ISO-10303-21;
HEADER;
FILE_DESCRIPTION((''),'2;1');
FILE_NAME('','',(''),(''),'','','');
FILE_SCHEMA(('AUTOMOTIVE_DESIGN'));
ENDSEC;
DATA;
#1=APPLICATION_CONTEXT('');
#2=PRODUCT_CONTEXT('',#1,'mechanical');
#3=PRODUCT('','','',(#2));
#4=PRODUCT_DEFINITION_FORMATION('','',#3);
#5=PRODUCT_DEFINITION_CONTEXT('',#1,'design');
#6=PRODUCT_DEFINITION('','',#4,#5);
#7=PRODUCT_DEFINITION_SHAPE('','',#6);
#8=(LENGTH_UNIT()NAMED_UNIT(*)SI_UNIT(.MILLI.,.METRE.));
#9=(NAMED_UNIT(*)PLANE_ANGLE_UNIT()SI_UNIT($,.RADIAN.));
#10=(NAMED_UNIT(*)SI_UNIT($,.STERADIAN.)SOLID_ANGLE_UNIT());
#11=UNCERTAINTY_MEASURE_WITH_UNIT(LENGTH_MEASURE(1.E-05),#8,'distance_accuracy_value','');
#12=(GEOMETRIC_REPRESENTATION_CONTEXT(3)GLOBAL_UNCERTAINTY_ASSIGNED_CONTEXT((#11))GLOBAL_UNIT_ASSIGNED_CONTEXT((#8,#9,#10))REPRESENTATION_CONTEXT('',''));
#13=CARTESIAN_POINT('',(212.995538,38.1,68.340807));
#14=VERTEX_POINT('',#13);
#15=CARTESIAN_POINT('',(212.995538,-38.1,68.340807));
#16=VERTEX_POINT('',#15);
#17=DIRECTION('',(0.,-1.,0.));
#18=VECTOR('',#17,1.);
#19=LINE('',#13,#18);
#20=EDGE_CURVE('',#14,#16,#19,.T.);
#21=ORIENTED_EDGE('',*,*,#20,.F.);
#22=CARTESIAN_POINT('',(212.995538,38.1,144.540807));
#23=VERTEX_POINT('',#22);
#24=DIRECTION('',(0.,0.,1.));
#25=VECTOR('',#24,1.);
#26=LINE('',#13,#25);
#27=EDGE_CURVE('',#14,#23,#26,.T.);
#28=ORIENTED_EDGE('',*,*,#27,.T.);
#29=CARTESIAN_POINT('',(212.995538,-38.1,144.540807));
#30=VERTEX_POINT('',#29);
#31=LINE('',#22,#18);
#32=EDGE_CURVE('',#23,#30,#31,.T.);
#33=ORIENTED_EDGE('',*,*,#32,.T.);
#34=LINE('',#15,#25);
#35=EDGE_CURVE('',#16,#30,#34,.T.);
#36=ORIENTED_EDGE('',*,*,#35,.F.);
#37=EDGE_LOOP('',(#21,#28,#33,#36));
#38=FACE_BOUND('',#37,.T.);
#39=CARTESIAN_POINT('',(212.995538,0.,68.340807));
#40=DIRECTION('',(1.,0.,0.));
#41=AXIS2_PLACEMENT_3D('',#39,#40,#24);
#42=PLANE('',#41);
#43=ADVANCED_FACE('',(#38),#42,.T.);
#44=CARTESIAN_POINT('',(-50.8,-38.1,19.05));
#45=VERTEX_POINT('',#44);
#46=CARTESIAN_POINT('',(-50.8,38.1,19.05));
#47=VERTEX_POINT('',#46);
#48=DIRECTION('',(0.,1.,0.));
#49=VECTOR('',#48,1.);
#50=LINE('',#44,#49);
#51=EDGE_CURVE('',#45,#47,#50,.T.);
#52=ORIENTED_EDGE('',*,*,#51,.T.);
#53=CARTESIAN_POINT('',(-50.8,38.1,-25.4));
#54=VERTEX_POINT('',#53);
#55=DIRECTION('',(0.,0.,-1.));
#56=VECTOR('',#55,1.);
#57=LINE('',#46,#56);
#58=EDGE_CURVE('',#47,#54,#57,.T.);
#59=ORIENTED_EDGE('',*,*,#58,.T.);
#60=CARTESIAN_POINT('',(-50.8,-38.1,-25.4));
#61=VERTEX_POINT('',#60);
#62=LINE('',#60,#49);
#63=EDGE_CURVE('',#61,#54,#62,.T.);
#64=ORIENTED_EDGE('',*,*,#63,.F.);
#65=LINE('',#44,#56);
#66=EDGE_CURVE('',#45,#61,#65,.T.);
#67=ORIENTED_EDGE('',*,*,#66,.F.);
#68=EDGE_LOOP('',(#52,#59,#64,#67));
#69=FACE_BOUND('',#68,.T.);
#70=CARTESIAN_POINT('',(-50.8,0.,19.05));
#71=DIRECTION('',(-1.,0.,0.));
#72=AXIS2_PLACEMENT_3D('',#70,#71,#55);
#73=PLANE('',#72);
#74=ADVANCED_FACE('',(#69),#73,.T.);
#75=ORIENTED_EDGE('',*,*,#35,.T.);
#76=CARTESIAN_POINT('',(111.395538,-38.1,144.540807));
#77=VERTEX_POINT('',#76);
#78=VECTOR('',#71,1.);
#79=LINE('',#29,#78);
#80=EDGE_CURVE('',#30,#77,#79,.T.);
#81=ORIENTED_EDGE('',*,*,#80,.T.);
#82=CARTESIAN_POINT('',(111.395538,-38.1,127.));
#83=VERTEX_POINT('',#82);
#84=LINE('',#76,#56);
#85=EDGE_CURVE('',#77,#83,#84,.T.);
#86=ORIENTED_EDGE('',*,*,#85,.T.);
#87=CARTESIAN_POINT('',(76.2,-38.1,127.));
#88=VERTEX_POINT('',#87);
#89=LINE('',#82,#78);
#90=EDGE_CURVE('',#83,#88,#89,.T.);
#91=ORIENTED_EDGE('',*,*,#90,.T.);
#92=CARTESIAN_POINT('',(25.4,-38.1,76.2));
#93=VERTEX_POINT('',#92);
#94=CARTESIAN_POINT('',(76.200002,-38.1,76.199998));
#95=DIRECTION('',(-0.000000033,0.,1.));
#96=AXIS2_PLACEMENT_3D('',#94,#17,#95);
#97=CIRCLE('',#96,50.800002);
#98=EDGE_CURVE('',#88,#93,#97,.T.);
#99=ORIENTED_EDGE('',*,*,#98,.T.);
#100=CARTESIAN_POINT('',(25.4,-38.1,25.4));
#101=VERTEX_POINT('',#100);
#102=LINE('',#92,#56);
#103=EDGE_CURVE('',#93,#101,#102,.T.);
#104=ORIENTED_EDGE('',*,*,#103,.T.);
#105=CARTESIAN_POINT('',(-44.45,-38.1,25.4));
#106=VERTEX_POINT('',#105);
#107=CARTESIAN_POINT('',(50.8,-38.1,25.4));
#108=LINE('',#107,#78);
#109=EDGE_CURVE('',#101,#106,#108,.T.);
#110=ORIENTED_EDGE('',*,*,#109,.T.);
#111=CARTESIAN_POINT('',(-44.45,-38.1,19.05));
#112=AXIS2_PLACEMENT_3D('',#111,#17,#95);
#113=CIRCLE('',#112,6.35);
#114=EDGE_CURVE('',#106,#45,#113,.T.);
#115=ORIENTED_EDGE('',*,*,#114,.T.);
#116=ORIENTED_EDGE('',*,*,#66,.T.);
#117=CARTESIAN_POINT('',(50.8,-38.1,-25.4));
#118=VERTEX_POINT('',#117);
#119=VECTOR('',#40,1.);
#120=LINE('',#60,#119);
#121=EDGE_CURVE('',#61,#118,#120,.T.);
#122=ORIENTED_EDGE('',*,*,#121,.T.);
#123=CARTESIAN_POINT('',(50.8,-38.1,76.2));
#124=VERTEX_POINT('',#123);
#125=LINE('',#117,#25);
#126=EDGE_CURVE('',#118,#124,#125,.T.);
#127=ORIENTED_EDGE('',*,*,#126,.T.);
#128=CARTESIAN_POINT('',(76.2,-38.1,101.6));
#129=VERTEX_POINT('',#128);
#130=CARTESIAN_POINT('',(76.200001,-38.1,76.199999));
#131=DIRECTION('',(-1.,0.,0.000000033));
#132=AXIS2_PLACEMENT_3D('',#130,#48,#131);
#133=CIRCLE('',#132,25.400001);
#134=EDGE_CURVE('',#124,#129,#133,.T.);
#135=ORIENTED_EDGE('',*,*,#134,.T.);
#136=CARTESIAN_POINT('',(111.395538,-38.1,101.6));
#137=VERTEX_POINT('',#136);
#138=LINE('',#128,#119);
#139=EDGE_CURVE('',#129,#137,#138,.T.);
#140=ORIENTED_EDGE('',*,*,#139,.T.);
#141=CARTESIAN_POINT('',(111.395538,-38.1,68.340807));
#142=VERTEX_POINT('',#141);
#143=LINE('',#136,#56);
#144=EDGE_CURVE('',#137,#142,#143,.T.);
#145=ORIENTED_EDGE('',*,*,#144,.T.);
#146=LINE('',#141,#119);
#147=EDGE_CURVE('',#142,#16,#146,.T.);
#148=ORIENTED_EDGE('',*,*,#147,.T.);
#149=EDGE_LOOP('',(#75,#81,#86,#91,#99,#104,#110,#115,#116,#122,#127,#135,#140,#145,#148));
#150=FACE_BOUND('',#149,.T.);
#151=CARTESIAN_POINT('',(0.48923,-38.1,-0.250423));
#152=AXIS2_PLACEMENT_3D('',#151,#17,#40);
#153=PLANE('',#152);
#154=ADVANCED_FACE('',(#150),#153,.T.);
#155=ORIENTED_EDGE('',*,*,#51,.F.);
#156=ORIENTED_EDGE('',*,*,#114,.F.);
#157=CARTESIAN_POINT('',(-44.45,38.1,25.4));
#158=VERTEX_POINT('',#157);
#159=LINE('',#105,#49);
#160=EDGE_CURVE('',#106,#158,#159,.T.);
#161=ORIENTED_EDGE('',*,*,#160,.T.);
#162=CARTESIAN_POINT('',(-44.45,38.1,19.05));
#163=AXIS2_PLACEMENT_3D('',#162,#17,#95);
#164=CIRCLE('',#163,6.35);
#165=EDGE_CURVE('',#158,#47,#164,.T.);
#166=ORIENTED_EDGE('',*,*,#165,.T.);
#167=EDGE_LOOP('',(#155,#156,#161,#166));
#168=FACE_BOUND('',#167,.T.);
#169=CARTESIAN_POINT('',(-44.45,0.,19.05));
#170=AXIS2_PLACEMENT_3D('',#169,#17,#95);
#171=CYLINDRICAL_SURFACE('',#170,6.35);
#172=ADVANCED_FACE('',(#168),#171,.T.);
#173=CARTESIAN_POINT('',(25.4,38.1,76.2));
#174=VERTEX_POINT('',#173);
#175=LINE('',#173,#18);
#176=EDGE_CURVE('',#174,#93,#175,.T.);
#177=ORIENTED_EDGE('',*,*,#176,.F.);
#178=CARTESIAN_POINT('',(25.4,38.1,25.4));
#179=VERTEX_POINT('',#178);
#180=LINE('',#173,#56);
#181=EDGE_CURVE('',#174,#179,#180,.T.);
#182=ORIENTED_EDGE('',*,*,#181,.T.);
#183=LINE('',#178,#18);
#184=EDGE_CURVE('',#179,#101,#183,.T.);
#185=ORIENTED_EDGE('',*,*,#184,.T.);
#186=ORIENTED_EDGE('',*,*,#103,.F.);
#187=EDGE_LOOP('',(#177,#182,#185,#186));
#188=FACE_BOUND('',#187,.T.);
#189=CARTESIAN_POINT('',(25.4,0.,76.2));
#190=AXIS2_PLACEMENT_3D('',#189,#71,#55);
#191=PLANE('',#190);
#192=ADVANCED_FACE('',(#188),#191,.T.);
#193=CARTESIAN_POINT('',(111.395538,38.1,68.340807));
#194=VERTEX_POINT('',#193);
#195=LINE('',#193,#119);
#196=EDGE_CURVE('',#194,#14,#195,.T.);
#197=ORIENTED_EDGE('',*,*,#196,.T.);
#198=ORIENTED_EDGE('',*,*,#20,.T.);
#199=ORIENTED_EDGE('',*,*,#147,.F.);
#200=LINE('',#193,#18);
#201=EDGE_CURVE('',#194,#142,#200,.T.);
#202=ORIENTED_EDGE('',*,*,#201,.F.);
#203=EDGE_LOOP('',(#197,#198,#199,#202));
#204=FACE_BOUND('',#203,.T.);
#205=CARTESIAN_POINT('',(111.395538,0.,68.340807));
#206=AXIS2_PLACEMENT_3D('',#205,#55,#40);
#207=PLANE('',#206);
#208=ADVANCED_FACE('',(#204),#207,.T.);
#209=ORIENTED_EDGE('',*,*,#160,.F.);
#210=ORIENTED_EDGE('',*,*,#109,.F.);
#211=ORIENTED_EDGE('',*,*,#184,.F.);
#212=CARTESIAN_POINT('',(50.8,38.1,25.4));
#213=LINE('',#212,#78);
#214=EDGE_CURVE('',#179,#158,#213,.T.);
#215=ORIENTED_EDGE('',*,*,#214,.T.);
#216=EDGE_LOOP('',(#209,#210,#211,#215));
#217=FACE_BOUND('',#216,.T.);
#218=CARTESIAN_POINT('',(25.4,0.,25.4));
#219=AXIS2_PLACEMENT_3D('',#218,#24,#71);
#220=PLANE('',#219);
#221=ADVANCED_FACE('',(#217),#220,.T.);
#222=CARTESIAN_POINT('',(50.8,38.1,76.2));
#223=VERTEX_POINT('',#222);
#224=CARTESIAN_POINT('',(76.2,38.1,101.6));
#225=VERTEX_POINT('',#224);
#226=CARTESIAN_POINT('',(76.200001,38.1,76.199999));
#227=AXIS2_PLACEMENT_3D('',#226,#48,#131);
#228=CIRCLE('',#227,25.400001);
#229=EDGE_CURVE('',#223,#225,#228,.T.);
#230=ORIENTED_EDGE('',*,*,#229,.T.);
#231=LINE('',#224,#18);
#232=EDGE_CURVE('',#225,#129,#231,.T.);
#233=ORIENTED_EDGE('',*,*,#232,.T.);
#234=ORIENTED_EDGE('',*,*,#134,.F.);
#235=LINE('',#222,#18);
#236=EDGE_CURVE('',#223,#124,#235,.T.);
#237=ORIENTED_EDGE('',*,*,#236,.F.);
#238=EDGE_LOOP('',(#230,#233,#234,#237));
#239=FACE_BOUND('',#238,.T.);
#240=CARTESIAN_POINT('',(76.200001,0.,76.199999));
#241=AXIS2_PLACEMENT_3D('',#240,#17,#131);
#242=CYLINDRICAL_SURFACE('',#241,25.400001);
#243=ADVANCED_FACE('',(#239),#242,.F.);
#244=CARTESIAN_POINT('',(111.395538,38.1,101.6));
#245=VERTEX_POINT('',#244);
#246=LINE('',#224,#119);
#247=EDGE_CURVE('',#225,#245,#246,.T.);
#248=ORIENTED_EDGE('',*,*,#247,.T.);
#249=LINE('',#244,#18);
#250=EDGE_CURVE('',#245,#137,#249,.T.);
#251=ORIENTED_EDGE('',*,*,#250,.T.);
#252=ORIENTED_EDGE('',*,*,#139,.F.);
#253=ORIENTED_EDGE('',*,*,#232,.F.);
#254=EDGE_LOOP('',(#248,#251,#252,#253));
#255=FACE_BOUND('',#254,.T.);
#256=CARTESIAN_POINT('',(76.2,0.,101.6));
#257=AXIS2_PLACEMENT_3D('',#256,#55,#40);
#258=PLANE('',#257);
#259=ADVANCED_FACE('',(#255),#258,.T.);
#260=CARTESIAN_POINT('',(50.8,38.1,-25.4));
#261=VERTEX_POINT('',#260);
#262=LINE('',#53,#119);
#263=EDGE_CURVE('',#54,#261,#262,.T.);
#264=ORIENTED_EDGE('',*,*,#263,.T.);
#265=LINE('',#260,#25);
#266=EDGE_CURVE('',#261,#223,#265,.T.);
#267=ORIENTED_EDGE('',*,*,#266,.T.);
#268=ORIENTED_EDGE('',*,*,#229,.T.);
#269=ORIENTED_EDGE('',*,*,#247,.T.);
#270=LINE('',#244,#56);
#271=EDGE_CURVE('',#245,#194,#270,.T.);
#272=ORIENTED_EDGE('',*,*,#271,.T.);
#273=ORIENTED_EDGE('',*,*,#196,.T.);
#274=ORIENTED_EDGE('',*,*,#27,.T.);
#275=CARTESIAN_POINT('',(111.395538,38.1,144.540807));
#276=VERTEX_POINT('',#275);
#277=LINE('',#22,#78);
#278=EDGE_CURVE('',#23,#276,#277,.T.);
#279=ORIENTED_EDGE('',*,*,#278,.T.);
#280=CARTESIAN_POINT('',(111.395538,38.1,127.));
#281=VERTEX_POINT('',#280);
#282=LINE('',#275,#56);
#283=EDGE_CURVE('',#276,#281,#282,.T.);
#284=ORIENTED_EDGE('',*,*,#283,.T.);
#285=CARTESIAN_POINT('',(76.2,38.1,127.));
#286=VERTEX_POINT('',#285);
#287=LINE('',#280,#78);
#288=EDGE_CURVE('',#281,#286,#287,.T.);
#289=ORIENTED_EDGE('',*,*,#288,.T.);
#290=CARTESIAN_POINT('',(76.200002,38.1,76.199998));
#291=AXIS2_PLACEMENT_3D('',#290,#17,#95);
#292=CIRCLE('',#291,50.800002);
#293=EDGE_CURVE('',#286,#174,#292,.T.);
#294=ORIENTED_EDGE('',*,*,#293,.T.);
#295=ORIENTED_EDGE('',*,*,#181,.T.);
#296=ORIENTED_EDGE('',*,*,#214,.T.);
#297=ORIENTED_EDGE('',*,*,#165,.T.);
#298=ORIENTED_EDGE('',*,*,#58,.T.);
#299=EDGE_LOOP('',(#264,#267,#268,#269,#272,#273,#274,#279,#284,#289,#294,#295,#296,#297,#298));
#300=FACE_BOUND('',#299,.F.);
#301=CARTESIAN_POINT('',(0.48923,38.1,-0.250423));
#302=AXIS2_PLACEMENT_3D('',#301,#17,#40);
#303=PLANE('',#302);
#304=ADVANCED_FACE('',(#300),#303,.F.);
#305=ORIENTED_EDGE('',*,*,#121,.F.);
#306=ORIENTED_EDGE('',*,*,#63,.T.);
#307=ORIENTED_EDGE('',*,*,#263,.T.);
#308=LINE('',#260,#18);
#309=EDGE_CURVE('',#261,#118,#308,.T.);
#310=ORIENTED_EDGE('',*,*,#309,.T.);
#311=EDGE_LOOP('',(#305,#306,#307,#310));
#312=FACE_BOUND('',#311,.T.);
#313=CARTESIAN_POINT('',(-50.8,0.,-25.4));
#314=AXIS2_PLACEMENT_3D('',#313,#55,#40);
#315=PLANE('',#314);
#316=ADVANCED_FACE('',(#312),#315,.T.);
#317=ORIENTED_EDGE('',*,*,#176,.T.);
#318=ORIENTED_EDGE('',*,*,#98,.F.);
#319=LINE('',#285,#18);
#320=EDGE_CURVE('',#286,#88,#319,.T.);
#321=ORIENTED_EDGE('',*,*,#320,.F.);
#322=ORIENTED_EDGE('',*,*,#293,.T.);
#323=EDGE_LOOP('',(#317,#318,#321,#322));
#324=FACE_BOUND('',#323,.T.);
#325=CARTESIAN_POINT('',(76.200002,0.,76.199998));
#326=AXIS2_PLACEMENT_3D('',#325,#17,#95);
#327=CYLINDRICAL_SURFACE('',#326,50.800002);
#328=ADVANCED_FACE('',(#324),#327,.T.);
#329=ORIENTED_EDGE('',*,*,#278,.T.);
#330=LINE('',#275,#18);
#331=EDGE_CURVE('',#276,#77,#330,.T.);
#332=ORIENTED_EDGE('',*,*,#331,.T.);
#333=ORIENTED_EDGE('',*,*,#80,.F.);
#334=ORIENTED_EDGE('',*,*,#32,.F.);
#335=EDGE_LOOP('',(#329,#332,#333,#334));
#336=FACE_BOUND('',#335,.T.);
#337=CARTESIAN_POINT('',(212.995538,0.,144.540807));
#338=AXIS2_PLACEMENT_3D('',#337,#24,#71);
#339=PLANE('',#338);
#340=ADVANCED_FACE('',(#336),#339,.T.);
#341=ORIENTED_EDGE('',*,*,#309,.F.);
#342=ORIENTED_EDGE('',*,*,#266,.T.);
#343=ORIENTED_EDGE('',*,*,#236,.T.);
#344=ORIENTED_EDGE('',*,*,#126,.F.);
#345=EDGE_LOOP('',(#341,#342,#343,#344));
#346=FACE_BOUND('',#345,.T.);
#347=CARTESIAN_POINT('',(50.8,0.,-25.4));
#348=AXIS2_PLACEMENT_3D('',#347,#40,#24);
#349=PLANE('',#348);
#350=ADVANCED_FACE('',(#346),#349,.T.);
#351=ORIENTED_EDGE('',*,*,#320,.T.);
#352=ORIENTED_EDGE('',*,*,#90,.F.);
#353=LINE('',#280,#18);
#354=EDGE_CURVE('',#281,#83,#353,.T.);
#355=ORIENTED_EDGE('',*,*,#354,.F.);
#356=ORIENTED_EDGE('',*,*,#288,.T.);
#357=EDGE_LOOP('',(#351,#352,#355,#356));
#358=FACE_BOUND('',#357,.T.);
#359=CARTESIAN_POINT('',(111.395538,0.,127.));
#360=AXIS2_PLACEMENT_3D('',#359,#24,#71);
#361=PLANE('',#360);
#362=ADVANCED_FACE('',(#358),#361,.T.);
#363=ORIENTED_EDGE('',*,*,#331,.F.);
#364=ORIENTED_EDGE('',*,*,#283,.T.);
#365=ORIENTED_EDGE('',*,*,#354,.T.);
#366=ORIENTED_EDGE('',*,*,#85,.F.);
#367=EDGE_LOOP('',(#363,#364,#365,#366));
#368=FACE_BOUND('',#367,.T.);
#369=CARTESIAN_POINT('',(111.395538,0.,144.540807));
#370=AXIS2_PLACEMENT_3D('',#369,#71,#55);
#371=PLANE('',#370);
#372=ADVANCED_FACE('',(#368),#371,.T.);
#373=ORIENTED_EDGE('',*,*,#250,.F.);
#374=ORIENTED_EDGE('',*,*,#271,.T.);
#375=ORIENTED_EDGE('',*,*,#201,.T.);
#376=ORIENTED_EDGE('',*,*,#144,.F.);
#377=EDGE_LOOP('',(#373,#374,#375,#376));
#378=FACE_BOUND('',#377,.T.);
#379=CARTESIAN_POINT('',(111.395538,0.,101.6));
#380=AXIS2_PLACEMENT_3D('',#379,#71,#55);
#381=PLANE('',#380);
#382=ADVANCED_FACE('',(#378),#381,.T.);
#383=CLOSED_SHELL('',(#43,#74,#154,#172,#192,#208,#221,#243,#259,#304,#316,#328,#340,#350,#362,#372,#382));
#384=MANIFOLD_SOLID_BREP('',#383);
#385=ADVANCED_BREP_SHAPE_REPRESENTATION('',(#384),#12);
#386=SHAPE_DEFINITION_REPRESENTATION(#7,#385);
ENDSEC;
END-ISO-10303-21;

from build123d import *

# Parameters (mm, degrees)
F1_DEPTH = 38.1


with BuildPart() as f1:
    # F0 (on Front) → F1 (new body, symmetric)
    with BuildSketch(Plane.XZ):
        with BuildLine():
            Line((-50.8, -25.4), (50.8, -25.4))
            Line((50.8, -25.4), (50.8, 25.4))
            Line((50.8, 25.4), (25.4, 25.4))
            Line((25.4, 25.4), (-44.45, 25.4))
            ThreePointArc((-44.45, 25.4), (-48.940128, 23.540128), (-50.8, 19.05))
            Line((-50.8, 19.05), (-50.8, -25.4))
        make_face()
        with BuildLine():
            Line((25.4, 25.4), (50.8, 25.4))
            Line((50.8, 25.4), (50.8, 76.2))
            ThreePointArc((50.8, 76.2), (58.239488, 94.160512), (76.2, 101.6))
            Line((76.2, 101.6), (111.395538, 101.6))
            Line((111.395538, 101.6), (111.395538, 127))
            Line((111.395538, 127), (76.2, 127))
            ThreePointArc((76.2, 127), (40.278976, 112.121024), (25.4, 76.2))
            Line((25.4, 76.2), (25.4, 25.4))
        make_face()
        Polygon((212.995538, 144.540807), (111.395538, 144.540807), (111.395538, 127), (111.395538, 101.6), (111.395538, 95.25), (111.395538, 68.340807), (212.995538, 68.340807), align=None)
    extrude(amount=F1_DEPTH, both=True)


solid = f1.part
